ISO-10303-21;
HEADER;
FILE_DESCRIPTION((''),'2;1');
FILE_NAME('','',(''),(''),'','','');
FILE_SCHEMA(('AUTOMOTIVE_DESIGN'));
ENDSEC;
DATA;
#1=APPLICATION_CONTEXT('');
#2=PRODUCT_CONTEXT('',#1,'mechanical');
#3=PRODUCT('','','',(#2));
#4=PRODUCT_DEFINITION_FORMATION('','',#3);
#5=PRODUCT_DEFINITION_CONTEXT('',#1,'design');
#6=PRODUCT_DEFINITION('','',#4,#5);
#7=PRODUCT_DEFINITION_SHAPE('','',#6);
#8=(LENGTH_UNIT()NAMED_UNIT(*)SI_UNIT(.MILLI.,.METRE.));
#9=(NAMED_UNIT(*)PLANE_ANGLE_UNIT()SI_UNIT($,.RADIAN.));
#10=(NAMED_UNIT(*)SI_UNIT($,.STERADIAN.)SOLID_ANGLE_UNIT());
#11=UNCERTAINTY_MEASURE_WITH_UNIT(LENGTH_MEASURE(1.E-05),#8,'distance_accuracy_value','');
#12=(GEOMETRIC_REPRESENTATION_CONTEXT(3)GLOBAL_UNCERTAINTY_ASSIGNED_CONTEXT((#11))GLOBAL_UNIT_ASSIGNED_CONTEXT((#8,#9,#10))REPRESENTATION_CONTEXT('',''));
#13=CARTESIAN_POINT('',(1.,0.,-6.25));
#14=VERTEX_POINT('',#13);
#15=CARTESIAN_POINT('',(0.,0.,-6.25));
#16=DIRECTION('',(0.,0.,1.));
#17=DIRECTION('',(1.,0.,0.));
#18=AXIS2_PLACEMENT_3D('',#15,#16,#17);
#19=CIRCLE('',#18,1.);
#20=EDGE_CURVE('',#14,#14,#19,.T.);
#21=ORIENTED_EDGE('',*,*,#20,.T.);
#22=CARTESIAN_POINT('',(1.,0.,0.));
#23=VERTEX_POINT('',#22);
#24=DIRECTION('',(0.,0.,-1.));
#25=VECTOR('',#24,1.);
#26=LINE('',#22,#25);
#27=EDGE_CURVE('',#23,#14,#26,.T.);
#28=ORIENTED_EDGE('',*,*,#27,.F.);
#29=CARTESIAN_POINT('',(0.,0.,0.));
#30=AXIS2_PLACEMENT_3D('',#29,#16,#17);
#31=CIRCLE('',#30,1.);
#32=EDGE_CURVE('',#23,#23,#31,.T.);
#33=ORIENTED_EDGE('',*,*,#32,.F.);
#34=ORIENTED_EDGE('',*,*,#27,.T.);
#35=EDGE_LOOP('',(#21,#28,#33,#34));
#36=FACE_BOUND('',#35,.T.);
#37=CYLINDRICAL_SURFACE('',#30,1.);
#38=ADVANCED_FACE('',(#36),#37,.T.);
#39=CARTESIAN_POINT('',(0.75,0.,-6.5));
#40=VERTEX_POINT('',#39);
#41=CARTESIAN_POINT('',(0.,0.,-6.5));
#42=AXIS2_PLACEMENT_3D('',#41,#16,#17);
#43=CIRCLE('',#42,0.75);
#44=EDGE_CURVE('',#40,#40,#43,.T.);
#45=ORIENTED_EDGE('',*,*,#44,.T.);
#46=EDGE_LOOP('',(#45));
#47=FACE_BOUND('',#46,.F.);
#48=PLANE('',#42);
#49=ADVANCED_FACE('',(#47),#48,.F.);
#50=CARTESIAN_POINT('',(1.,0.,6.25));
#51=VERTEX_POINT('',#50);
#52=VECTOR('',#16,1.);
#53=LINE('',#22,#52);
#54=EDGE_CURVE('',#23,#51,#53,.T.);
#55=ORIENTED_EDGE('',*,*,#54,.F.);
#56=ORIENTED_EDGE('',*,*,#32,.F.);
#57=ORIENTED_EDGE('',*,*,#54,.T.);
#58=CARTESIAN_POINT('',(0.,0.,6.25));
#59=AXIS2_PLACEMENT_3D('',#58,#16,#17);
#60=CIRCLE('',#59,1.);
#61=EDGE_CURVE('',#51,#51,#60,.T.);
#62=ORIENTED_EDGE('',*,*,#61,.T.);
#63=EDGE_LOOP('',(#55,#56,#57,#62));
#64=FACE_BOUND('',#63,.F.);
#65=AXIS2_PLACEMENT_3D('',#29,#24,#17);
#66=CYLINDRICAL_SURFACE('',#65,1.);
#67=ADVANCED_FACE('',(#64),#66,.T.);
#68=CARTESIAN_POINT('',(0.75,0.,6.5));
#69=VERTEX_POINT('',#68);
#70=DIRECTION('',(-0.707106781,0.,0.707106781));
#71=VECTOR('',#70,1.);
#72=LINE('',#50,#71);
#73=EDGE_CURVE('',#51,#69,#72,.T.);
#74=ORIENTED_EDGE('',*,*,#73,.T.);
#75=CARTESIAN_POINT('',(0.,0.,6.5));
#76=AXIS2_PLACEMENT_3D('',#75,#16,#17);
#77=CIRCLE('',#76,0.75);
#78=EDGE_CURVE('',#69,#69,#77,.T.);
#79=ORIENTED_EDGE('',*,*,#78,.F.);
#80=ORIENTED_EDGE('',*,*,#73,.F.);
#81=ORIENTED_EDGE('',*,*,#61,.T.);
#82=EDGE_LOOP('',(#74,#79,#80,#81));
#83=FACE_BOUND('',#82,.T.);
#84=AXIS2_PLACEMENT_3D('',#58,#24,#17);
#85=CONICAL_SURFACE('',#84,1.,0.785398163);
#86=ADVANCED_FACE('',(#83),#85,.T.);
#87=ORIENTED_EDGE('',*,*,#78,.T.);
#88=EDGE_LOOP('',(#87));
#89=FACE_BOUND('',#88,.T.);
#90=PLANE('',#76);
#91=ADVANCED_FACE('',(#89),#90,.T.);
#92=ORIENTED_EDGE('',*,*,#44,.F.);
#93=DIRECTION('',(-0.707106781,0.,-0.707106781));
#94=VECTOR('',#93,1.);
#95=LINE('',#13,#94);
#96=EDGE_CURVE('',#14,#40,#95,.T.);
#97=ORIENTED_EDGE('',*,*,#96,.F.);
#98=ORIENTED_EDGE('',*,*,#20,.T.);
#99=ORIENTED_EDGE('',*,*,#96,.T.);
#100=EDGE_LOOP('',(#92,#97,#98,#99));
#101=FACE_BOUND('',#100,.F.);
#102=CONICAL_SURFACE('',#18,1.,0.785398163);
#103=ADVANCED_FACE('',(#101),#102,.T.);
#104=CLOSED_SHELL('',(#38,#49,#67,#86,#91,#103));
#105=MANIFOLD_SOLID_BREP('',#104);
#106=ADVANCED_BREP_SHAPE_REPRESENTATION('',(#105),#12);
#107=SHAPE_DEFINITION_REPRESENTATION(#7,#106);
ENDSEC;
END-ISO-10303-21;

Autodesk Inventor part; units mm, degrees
ref_plane "YZ Plane" through (0, 0, 0) normal (1, 0, 0) x (0, 1, 0)
ref_plane "XZ Plane" through (0, 0, 0) normal (0, 1, 0) x (-1, 0, 0)
ref_plane "XY Plane" through (0, 0, 0) normal (0, 0, 1) x (1, 0, 0)
sketch "Sketch1" plane through (0, 0, 0) normal (0, 0, 1) x (1, 0, 0)
  circle A0 centre (0, 0) radius 1
  dimension "d0" = 2
extrude "Extrusion1" add sketch "Sketch1" along normal mid plane 13
chamfer "Chamfer1" distance 0.25 angle 45 2 edges at (-1, 0, 6.5) (-1, 0, -6.5)
properties part number "pino"
